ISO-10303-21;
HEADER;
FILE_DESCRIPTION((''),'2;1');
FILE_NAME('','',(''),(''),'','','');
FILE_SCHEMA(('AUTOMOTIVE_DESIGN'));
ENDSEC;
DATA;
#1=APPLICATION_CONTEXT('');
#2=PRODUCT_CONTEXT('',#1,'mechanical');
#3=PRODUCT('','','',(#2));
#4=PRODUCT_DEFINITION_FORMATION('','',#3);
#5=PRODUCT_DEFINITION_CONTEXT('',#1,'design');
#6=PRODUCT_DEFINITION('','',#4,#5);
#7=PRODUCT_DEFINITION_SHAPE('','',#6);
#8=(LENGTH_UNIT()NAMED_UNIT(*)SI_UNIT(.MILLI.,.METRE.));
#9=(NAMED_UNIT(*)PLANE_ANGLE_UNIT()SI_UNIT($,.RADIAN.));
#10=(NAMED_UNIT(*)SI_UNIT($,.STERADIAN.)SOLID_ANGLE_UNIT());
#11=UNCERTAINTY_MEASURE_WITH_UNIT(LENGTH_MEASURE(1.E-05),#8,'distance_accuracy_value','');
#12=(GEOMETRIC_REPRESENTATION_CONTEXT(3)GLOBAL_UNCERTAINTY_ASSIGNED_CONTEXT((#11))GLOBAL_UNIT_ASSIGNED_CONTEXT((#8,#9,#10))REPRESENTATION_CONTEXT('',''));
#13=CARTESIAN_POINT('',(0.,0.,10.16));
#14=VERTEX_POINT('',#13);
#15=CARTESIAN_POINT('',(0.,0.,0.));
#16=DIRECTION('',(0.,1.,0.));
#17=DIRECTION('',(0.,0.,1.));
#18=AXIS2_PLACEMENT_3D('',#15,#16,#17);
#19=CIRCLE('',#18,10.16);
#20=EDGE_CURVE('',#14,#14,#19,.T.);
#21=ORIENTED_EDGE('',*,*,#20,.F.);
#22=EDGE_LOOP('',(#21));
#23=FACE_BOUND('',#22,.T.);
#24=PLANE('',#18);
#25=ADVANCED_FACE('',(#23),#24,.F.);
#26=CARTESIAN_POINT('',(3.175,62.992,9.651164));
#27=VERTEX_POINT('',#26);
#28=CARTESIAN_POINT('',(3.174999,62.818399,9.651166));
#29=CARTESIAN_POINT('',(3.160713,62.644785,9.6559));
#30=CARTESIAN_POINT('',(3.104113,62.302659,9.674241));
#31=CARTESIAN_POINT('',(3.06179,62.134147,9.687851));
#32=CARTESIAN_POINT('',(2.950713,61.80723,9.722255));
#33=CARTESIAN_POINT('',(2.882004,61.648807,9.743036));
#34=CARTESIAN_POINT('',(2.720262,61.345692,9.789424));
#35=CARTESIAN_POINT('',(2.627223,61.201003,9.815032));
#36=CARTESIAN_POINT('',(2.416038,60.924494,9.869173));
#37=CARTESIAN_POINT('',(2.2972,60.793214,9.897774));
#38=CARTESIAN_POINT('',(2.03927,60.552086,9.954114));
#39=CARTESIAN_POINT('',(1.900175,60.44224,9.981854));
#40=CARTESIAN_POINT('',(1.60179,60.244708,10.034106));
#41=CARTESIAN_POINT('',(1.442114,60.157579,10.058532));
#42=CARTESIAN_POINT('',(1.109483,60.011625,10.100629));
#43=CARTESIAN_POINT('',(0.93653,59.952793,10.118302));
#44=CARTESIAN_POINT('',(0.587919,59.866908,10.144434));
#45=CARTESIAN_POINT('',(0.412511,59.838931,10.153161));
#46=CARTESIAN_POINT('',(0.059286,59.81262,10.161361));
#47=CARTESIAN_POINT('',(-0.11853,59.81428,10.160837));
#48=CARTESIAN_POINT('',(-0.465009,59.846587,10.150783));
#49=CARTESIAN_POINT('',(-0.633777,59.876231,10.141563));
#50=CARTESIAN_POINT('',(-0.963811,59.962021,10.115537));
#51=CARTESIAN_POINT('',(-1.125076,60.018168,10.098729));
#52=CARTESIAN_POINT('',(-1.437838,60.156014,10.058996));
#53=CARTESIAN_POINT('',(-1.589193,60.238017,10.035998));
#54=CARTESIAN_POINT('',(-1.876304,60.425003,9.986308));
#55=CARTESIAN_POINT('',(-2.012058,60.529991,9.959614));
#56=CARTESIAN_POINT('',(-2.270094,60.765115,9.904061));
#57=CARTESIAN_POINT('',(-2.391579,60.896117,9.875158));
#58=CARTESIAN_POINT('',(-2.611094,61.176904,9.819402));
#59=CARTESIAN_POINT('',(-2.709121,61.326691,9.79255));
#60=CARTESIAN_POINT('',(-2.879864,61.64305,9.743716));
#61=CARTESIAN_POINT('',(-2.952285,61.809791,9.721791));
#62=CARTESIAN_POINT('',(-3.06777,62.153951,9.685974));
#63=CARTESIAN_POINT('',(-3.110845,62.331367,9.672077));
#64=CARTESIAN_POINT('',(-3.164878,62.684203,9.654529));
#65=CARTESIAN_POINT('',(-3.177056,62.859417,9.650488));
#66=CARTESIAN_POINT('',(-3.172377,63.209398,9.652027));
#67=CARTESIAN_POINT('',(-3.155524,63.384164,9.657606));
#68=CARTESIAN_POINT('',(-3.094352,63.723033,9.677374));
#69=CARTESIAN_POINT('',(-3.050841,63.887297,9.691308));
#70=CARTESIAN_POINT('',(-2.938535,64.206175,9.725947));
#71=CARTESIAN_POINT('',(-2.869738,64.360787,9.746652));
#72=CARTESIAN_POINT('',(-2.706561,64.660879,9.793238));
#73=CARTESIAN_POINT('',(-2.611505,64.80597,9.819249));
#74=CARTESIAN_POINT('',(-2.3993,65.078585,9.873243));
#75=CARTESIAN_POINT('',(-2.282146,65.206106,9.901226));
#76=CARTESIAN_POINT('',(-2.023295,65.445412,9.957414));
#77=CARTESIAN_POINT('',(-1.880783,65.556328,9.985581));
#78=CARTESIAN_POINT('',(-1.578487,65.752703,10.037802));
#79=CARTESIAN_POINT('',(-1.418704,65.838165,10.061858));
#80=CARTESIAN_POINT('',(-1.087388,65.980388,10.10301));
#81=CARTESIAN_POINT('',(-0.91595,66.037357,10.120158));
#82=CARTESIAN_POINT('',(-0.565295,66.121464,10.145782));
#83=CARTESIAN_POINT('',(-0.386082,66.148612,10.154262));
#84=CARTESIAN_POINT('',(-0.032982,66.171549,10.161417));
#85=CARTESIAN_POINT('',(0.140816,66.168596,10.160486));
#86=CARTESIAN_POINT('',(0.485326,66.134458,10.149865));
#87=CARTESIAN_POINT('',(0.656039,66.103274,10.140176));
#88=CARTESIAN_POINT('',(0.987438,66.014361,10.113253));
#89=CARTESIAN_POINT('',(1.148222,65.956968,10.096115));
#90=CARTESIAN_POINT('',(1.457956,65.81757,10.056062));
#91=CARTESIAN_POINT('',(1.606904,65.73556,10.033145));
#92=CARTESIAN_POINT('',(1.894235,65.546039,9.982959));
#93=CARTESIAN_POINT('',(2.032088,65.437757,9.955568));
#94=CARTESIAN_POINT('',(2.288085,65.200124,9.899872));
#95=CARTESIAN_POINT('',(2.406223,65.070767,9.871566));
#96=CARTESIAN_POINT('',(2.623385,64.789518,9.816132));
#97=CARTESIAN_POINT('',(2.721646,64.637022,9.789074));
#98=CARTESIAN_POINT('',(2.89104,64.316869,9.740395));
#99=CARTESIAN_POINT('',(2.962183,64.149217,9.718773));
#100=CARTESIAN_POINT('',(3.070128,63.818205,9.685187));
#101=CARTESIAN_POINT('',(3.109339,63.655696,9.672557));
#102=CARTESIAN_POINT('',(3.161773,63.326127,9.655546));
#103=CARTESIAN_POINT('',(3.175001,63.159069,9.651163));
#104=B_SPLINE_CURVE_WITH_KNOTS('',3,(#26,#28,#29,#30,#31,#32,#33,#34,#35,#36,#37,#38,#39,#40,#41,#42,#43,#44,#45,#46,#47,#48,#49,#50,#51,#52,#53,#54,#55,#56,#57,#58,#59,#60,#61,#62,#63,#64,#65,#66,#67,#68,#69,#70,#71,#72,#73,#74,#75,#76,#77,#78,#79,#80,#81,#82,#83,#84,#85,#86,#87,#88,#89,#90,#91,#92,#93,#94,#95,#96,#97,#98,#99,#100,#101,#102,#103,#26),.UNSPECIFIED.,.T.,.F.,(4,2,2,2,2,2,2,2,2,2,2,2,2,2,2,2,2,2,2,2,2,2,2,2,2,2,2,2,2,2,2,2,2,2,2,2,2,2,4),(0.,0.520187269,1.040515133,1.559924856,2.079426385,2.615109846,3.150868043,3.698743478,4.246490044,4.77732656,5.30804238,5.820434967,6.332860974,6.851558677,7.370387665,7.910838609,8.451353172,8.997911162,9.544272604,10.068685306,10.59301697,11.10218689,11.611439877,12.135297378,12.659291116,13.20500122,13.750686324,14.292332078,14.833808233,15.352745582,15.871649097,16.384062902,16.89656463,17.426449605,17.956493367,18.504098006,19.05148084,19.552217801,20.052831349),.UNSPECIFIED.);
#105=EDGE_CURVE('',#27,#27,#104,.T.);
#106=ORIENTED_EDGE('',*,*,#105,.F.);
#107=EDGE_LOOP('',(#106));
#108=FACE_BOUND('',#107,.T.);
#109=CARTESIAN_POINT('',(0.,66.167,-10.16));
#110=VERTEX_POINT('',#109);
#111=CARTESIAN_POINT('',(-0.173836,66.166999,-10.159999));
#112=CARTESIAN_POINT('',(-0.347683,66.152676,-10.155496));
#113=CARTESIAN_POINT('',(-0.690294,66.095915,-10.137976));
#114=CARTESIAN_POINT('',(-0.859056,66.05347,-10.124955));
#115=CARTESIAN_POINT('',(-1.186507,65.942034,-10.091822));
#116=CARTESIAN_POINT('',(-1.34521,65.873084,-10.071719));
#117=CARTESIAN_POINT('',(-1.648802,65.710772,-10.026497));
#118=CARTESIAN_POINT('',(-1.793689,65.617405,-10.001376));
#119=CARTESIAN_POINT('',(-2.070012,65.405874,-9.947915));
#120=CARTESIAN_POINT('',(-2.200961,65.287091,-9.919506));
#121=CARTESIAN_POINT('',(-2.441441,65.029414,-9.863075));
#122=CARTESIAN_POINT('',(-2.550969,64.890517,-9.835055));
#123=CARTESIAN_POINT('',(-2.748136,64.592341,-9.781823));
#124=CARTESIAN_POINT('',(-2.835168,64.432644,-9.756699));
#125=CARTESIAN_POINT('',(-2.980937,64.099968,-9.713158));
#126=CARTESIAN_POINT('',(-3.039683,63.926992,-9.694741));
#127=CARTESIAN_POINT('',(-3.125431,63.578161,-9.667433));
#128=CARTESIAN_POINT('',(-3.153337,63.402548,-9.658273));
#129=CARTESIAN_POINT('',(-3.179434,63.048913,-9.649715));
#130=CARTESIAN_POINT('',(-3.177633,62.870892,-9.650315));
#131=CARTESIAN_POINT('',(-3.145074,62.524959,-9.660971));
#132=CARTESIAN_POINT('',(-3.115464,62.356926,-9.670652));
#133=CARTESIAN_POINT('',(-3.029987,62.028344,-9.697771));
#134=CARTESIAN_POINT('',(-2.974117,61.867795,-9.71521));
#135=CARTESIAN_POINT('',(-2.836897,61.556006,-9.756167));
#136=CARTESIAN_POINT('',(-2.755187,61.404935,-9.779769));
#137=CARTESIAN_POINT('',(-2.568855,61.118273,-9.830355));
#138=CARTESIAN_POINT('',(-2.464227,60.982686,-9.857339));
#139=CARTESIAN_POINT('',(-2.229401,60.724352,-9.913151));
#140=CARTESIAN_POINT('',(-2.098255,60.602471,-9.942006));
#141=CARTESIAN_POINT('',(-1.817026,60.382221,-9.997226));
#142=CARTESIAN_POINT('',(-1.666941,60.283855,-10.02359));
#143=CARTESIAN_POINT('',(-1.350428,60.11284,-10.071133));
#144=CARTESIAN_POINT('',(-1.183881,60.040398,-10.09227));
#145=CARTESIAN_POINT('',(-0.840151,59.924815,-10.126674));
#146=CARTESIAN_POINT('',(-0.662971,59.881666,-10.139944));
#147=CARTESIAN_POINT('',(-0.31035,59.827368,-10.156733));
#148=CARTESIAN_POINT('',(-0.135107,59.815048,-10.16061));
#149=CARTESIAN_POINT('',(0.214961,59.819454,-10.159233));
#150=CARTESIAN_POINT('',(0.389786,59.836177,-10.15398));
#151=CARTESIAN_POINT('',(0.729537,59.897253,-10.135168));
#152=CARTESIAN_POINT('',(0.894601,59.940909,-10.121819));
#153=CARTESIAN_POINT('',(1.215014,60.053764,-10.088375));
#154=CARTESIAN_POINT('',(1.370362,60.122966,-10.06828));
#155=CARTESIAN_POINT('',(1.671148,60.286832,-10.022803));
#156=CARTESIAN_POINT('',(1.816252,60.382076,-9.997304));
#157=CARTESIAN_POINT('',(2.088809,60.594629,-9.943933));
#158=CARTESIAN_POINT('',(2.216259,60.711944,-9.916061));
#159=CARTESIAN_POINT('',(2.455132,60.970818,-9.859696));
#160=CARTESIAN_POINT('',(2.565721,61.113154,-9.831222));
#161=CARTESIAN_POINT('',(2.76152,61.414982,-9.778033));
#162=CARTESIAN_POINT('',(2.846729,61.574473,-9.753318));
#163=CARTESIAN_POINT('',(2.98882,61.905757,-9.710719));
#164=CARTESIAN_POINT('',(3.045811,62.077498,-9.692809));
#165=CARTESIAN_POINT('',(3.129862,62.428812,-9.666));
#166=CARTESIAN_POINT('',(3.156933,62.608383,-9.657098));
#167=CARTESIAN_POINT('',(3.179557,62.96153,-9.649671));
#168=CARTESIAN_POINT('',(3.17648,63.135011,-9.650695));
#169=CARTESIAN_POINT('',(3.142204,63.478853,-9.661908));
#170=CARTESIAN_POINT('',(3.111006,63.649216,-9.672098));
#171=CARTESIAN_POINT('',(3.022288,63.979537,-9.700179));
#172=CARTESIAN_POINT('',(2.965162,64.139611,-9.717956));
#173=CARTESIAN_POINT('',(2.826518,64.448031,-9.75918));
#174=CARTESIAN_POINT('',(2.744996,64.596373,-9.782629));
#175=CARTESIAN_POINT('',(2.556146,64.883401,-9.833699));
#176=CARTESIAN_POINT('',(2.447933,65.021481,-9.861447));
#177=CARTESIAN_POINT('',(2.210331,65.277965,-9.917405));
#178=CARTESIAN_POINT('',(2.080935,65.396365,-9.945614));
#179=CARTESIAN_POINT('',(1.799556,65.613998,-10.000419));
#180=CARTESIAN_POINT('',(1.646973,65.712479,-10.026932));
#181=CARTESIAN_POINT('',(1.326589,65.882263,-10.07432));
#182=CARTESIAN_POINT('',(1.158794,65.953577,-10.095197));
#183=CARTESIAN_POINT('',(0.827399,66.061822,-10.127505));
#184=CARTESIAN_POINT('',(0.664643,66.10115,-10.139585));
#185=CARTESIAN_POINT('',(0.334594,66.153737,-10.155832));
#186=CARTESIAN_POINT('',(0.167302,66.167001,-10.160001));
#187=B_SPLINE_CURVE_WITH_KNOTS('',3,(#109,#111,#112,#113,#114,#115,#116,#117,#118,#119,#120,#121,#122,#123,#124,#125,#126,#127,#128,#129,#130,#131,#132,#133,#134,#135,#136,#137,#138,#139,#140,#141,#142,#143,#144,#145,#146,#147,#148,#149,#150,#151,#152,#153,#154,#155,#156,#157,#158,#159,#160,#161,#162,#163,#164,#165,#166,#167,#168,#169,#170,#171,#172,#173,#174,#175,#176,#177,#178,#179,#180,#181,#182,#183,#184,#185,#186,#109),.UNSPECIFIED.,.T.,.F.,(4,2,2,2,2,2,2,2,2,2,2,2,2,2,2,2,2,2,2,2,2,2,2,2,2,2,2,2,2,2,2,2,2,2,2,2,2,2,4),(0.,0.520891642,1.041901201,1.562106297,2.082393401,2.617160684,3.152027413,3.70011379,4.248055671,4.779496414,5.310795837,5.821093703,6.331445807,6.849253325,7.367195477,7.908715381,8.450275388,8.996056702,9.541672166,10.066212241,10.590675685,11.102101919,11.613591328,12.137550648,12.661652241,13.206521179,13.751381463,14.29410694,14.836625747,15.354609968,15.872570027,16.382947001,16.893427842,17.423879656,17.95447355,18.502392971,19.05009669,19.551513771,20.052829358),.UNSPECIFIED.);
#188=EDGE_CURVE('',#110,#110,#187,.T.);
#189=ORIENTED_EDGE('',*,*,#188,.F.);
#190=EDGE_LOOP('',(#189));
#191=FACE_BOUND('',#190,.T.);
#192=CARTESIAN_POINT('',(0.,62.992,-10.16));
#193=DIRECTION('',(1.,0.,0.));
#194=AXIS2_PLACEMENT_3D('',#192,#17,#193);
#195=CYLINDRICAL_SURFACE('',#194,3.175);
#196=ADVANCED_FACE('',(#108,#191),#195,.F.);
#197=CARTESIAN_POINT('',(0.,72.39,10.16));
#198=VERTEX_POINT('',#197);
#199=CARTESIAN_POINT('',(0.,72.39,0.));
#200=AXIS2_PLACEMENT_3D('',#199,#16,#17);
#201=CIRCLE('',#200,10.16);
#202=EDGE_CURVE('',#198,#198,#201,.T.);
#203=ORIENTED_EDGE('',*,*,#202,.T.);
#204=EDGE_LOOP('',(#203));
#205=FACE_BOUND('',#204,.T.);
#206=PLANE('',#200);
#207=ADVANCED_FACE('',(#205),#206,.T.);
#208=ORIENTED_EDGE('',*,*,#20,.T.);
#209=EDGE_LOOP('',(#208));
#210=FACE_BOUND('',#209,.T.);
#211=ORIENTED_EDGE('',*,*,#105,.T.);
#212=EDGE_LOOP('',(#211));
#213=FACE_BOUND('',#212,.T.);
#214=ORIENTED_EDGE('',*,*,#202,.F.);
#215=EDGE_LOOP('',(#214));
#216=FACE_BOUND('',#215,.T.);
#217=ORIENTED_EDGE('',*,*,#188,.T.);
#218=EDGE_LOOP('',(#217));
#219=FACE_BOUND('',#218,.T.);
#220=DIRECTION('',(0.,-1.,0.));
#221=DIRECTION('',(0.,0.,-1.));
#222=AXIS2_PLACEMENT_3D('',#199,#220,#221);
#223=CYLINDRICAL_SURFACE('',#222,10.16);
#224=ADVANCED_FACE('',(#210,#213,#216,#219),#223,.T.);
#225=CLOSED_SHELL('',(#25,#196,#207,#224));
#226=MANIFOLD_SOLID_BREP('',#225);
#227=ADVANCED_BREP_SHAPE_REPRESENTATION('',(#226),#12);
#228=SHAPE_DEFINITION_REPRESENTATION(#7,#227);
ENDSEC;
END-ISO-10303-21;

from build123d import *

# Parameters (mm, degrees)
SKETCH1_R               = 10.16
BOSS_EXTRUDE1_DEPTH     = 72.39
CUT_EXTRUDE1_DEPTH      = 74.802190347
CUT_EXTRUDE1_DEPTH_BACK = 74.802190347
SKETCH2_R               = 3.175


with BuildPart() as part:
    # Sketch1 → Boss-Extrude1 (new body)
    with BuildSketch(Plane(origin=(0, 0, 0), x_dir=(1, 0, 0), z_dir=(0, 1, 0))):
        with Locations(Location((0, 0, 0), (0, 0, 270))):
            Circle(SKETCH1_R)
    extrude(amount=BOSS_EXTRUDE1_DEPTH)

    # Sketch2 → Cut-Extrude1 (cut, two sides: drawn at the far end of the back side and taken through both)
    with BuildSketch(Plane.XY.offset(-CUT_EXTRUDE1_DEPTH_BACK)):
        with Locations(Location((0, 62.992, 0), (0, 0, 89.99999999))):
            Circle(SKETCH2_R)
    extrude(amount=CUT_EXTRUDE1_DEPTH + CUT_EXTRUDE1_DEPTH_BACK, mode=Mode.SUBTRACT)


solid = part.part
